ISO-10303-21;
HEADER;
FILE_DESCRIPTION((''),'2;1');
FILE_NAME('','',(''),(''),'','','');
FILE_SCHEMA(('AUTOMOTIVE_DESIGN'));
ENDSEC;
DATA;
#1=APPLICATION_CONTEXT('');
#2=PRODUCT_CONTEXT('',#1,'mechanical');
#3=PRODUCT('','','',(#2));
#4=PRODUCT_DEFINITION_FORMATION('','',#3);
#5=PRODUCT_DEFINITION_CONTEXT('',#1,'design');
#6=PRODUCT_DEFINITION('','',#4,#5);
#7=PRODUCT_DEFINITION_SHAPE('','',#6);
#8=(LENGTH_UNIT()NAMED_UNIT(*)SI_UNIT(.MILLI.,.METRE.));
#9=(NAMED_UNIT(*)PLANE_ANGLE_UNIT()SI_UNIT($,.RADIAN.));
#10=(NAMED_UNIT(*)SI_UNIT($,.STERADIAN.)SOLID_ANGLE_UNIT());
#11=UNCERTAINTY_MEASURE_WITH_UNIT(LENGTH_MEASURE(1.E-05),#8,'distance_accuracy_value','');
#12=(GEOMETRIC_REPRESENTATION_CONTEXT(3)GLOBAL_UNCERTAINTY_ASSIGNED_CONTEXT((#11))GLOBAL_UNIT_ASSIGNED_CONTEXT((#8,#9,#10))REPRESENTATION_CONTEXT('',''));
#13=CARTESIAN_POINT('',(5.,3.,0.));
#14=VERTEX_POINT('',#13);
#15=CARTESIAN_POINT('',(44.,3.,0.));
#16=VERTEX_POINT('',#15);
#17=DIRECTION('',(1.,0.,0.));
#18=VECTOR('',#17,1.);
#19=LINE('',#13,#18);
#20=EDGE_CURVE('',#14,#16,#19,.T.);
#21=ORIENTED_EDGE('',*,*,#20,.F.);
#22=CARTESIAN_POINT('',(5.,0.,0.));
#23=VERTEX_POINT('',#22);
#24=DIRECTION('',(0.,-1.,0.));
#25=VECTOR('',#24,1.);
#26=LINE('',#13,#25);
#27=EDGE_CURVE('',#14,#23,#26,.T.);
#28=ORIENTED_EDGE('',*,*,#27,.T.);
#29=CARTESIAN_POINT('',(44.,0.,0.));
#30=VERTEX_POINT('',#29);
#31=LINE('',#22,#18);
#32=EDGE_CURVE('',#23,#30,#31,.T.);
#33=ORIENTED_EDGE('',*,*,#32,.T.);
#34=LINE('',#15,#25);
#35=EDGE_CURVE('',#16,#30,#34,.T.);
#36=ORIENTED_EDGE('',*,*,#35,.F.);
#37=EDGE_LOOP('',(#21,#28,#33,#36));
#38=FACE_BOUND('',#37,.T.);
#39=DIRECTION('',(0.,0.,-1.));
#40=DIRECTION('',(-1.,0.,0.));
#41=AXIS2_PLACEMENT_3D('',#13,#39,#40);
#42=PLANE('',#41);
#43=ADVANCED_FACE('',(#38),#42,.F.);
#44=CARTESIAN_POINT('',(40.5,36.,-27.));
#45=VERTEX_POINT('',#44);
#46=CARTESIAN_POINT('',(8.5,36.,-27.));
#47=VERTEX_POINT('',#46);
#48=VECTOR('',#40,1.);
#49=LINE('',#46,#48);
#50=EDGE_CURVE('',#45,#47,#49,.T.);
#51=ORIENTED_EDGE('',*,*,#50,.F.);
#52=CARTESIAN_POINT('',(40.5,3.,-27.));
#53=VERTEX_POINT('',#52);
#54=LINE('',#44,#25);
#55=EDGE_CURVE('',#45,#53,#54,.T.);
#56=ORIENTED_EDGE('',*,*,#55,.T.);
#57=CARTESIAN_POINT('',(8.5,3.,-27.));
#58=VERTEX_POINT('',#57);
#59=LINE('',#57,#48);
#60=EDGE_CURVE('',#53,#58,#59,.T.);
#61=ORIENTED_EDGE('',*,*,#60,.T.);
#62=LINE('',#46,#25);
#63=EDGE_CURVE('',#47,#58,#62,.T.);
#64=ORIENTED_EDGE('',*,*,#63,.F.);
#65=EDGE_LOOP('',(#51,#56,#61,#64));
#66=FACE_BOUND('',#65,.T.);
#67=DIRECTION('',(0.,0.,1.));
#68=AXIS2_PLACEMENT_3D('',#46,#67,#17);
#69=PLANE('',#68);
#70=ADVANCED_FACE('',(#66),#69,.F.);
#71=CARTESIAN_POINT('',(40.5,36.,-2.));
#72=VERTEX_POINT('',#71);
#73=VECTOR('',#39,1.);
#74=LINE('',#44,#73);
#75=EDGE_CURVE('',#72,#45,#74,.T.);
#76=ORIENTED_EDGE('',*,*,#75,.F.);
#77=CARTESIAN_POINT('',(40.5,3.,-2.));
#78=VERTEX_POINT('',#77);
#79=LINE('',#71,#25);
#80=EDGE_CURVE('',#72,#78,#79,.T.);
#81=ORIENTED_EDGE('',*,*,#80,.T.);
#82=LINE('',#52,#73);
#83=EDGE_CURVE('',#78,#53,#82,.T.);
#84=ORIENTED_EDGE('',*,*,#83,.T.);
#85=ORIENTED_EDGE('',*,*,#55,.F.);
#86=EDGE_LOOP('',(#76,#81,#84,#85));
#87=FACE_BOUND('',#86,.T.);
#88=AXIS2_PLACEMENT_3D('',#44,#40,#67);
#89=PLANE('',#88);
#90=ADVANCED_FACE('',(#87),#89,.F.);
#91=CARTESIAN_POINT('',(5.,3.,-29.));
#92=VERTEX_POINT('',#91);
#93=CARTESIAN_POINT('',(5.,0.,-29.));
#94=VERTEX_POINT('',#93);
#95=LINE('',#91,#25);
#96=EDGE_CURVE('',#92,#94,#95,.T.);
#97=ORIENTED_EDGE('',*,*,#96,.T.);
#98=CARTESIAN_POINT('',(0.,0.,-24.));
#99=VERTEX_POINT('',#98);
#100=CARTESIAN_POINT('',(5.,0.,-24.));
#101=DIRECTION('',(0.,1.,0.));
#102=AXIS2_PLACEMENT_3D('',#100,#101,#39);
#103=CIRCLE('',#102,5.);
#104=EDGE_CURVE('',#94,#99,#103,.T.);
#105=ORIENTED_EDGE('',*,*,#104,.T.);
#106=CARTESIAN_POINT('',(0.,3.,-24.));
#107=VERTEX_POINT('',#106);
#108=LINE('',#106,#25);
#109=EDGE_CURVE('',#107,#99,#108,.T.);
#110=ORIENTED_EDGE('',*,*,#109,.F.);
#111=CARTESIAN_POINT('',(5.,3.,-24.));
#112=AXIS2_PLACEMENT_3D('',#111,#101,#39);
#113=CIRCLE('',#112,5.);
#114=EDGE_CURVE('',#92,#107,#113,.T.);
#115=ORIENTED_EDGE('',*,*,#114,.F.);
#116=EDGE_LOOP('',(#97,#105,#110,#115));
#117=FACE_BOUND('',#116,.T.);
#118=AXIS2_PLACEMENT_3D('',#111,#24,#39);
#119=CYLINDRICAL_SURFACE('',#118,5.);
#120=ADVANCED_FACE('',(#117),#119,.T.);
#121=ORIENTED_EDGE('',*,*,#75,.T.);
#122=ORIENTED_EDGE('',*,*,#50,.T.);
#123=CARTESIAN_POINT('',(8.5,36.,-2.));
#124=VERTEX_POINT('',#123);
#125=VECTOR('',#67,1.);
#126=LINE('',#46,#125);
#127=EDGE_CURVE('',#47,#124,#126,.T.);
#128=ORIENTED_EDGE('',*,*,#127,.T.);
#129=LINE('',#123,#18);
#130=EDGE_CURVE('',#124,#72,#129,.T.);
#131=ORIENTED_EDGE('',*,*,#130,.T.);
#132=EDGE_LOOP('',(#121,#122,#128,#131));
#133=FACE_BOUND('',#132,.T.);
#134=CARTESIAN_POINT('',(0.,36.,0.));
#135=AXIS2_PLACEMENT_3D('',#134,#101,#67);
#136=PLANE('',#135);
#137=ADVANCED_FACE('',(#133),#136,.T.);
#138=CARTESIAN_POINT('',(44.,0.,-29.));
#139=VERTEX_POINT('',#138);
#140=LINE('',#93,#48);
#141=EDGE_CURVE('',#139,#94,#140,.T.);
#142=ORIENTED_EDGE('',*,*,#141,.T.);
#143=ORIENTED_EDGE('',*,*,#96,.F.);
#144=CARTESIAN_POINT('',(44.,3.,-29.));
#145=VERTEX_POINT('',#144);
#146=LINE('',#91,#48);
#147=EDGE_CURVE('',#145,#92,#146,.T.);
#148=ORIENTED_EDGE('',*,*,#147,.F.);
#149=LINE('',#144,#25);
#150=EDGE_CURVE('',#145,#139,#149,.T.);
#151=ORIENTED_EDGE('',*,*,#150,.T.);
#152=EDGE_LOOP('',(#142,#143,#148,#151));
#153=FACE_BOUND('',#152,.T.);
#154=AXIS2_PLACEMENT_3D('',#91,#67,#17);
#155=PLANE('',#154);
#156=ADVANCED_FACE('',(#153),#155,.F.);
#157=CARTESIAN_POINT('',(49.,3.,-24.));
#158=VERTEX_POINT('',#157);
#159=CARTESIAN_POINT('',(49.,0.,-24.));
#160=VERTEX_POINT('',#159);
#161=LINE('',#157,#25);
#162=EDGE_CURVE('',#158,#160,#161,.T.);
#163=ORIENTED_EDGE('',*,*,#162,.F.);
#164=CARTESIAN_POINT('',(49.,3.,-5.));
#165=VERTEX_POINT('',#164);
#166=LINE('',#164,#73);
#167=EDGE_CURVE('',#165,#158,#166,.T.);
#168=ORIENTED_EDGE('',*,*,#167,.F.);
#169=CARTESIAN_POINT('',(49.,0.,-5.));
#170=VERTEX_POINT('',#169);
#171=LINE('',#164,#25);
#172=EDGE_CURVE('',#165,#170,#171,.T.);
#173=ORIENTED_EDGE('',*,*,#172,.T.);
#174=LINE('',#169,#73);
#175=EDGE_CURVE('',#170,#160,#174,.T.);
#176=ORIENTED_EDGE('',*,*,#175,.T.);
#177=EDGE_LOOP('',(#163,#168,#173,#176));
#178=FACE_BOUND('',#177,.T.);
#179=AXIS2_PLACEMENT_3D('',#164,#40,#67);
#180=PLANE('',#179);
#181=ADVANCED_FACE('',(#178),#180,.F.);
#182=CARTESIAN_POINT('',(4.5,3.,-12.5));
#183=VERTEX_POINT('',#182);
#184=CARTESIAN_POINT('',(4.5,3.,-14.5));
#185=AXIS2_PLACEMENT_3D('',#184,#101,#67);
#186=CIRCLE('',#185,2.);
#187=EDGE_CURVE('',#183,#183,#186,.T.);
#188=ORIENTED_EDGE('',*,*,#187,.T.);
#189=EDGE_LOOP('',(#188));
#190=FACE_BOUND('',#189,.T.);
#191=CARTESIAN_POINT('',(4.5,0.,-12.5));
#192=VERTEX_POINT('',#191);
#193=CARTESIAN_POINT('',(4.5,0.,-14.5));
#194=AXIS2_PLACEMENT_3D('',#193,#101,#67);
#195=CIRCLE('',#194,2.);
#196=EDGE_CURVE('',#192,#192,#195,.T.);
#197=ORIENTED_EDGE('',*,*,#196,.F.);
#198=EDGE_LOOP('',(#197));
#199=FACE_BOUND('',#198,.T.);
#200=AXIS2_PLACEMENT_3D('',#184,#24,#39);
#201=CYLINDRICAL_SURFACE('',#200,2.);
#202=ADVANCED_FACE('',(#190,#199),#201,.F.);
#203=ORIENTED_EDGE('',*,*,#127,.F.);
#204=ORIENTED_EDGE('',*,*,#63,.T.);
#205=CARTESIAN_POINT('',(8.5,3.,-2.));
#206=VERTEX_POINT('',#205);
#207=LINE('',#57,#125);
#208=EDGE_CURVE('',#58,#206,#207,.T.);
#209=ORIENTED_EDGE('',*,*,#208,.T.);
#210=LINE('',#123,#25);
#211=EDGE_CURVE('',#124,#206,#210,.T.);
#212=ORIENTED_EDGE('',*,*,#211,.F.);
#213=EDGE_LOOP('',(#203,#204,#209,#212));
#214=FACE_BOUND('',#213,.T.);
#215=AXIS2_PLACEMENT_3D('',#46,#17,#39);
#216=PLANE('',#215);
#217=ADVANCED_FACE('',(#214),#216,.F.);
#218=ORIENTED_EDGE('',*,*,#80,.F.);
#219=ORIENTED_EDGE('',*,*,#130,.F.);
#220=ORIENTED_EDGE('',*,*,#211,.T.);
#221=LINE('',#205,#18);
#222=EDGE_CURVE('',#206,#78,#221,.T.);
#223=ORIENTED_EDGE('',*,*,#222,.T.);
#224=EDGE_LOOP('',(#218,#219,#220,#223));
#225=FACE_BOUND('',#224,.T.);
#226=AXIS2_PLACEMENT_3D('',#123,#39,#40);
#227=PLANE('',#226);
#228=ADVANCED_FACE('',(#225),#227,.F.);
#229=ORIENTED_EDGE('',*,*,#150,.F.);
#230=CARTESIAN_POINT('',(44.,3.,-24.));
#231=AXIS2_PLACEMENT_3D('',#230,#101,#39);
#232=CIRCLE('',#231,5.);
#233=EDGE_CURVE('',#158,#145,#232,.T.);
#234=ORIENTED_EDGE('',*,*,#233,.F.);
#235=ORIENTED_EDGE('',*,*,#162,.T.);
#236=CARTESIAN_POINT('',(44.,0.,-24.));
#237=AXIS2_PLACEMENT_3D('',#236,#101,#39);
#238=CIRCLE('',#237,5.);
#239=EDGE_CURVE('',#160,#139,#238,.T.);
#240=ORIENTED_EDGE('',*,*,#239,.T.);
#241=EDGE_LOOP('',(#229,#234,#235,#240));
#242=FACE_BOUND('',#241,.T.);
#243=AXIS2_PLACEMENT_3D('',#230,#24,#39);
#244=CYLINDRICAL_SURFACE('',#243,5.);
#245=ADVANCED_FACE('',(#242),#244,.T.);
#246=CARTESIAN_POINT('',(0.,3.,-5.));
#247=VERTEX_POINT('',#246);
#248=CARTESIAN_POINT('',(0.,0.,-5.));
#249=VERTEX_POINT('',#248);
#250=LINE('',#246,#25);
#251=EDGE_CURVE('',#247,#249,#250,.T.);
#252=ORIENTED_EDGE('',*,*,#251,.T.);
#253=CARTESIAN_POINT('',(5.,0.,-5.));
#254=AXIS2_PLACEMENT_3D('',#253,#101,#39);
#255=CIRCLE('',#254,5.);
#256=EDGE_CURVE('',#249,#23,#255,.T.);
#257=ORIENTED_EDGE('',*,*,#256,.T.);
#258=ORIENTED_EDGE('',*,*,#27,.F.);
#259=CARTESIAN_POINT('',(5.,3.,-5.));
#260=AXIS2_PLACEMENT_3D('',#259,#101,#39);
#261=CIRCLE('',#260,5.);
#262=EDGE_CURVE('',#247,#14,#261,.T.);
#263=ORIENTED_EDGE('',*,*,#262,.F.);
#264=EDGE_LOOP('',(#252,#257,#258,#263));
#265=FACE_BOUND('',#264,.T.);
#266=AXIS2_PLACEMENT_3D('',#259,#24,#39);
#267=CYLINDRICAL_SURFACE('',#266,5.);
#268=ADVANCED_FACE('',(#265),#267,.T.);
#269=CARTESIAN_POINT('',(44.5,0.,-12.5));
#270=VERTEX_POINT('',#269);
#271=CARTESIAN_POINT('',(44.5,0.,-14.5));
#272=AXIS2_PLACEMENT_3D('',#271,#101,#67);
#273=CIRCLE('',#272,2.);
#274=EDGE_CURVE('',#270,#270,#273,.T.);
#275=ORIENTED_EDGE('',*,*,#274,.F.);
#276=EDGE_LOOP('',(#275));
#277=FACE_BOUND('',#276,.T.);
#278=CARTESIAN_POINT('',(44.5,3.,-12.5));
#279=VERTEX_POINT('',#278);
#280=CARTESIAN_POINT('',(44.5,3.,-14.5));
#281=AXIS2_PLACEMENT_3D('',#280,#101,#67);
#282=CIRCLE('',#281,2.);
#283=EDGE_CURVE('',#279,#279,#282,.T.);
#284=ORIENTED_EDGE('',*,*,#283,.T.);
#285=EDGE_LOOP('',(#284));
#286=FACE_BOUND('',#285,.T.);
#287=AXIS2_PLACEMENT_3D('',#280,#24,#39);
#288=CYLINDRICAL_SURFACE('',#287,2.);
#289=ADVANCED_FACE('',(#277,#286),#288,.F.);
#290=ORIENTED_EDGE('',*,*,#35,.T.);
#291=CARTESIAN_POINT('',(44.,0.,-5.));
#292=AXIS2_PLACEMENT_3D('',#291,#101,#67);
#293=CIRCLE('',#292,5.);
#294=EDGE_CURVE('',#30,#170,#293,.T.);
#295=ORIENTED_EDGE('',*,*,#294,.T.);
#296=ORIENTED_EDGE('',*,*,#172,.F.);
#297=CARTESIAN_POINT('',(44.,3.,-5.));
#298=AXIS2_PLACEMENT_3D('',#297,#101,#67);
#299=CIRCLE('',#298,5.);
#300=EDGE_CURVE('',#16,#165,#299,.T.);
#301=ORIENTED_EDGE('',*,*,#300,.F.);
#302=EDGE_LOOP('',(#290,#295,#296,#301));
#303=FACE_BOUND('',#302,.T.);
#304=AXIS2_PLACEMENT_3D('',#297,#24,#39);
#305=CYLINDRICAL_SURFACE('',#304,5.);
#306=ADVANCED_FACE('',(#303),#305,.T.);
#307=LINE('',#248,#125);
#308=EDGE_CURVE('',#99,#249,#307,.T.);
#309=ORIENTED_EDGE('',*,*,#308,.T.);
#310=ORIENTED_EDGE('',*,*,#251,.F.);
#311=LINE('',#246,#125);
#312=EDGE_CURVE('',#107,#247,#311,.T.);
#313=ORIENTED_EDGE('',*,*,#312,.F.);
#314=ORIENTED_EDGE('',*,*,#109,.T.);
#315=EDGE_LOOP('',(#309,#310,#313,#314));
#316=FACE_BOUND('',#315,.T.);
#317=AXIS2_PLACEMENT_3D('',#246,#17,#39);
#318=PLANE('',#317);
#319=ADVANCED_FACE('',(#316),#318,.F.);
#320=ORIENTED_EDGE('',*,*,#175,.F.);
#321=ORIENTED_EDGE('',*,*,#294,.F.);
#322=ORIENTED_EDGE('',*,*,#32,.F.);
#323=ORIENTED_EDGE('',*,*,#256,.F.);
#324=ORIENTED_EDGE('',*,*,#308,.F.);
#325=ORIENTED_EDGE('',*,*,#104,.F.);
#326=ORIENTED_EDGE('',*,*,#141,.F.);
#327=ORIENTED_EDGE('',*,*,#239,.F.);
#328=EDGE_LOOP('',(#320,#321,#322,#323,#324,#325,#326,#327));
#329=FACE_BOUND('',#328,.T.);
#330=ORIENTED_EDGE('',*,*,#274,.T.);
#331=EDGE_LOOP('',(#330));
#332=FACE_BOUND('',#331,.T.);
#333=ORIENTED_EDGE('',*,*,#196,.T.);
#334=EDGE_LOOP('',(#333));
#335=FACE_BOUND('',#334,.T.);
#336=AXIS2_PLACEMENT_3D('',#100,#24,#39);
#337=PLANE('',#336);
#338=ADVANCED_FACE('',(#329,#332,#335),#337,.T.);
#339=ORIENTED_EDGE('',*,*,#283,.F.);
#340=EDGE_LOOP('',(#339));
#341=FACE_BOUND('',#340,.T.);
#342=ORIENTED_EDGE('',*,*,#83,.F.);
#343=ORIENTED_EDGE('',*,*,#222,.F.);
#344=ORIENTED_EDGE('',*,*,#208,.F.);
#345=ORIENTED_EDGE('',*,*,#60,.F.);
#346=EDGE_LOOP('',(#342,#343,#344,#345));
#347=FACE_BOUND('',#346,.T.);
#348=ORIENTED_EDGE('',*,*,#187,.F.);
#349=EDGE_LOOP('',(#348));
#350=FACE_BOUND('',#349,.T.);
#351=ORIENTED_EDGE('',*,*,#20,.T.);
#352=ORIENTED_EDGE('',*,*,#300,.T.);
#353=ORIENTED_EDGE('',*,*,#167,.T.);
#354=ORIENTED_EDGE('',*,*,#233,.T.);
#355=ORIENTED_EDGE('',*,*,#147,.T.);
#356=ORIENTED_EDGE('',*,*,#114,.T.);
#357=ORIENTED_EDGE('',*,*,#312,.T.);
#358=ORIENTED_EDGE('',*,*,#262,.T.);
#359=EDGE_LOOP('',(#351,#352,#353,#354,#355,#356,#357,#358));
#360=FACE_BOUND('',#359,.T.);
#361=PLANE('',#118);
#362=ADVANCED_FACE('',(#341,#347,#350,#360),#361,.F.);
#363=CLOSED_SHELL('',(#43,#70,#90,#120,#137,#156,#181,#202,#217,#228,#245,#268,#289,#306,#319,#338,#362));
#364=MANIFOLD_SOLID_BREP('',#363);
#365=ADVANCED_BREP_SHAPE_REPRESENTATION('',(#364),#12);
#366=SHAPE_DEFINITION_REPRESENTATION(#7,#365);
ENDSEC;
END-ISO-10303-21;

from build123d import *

# Parameters (mm, degrees)
SKETCH1_R           = 2
BOSS_EXTRUDE1_DEPTH = 3
SKETCH2_W           = 32
SKETCH2_H           = 25
BOSS_EXTRUDE2_DEPTH = 33


with BuildPart() as part:
    # Sketch1 → Boss-Extrude1 (new body)
    with BuildSketch(Plane(origin=(0, 0, 0), x_dir=(1, 0, 0), z_dir=(0, 1, 0))):
        with BuildLine():
            Line((5, 0), (44, 0))
            ThreePointArc((44, 0), (47.535533906, 1.464466094), (49, 5))
            Line((49, 5), (49, 24))
            ThreePointArc((49, 24), (47.535533906, 27.535533906), (44, 29))
            Line((44, 29), (5, 29))
            ThreePointArc((5, 29), (1.464466094, 27.535533906), (0, 24))
            Line((0, 24), (0, 5))
            ThreePointArc((0, 5), (1.464466094, 1.464466094), (5, 0))
        make_face()
        with Locations(Location((4.5, 14.5, 0), (0, 0, 270))):
            Circle(SKETCH1_R, mode=Mode.SUBTRACT)
        with Locations(Location((44.5, 14.5, 0), (0, 0, 270))):
            Circle(SKETCH1_R, mode=Mode.SUBTRACT)
    extrude(amount=BOSS_EXTRUDE1_DEPTH)

    # Sketch2 → Boss-Extrude2 (add)
    with BuildSketch(Plane(origin=(0, 3, 0), x_dir=(1, 0, 0), z_dir=(0, 1, 0))):
        with Locations((24.5, 14.5)):
            Rectangle(SKETCH2_W, SKETCH2_H)
    extrude(amount=BOSS_EXTRUDE2_DEPTH)


solid = part.part
